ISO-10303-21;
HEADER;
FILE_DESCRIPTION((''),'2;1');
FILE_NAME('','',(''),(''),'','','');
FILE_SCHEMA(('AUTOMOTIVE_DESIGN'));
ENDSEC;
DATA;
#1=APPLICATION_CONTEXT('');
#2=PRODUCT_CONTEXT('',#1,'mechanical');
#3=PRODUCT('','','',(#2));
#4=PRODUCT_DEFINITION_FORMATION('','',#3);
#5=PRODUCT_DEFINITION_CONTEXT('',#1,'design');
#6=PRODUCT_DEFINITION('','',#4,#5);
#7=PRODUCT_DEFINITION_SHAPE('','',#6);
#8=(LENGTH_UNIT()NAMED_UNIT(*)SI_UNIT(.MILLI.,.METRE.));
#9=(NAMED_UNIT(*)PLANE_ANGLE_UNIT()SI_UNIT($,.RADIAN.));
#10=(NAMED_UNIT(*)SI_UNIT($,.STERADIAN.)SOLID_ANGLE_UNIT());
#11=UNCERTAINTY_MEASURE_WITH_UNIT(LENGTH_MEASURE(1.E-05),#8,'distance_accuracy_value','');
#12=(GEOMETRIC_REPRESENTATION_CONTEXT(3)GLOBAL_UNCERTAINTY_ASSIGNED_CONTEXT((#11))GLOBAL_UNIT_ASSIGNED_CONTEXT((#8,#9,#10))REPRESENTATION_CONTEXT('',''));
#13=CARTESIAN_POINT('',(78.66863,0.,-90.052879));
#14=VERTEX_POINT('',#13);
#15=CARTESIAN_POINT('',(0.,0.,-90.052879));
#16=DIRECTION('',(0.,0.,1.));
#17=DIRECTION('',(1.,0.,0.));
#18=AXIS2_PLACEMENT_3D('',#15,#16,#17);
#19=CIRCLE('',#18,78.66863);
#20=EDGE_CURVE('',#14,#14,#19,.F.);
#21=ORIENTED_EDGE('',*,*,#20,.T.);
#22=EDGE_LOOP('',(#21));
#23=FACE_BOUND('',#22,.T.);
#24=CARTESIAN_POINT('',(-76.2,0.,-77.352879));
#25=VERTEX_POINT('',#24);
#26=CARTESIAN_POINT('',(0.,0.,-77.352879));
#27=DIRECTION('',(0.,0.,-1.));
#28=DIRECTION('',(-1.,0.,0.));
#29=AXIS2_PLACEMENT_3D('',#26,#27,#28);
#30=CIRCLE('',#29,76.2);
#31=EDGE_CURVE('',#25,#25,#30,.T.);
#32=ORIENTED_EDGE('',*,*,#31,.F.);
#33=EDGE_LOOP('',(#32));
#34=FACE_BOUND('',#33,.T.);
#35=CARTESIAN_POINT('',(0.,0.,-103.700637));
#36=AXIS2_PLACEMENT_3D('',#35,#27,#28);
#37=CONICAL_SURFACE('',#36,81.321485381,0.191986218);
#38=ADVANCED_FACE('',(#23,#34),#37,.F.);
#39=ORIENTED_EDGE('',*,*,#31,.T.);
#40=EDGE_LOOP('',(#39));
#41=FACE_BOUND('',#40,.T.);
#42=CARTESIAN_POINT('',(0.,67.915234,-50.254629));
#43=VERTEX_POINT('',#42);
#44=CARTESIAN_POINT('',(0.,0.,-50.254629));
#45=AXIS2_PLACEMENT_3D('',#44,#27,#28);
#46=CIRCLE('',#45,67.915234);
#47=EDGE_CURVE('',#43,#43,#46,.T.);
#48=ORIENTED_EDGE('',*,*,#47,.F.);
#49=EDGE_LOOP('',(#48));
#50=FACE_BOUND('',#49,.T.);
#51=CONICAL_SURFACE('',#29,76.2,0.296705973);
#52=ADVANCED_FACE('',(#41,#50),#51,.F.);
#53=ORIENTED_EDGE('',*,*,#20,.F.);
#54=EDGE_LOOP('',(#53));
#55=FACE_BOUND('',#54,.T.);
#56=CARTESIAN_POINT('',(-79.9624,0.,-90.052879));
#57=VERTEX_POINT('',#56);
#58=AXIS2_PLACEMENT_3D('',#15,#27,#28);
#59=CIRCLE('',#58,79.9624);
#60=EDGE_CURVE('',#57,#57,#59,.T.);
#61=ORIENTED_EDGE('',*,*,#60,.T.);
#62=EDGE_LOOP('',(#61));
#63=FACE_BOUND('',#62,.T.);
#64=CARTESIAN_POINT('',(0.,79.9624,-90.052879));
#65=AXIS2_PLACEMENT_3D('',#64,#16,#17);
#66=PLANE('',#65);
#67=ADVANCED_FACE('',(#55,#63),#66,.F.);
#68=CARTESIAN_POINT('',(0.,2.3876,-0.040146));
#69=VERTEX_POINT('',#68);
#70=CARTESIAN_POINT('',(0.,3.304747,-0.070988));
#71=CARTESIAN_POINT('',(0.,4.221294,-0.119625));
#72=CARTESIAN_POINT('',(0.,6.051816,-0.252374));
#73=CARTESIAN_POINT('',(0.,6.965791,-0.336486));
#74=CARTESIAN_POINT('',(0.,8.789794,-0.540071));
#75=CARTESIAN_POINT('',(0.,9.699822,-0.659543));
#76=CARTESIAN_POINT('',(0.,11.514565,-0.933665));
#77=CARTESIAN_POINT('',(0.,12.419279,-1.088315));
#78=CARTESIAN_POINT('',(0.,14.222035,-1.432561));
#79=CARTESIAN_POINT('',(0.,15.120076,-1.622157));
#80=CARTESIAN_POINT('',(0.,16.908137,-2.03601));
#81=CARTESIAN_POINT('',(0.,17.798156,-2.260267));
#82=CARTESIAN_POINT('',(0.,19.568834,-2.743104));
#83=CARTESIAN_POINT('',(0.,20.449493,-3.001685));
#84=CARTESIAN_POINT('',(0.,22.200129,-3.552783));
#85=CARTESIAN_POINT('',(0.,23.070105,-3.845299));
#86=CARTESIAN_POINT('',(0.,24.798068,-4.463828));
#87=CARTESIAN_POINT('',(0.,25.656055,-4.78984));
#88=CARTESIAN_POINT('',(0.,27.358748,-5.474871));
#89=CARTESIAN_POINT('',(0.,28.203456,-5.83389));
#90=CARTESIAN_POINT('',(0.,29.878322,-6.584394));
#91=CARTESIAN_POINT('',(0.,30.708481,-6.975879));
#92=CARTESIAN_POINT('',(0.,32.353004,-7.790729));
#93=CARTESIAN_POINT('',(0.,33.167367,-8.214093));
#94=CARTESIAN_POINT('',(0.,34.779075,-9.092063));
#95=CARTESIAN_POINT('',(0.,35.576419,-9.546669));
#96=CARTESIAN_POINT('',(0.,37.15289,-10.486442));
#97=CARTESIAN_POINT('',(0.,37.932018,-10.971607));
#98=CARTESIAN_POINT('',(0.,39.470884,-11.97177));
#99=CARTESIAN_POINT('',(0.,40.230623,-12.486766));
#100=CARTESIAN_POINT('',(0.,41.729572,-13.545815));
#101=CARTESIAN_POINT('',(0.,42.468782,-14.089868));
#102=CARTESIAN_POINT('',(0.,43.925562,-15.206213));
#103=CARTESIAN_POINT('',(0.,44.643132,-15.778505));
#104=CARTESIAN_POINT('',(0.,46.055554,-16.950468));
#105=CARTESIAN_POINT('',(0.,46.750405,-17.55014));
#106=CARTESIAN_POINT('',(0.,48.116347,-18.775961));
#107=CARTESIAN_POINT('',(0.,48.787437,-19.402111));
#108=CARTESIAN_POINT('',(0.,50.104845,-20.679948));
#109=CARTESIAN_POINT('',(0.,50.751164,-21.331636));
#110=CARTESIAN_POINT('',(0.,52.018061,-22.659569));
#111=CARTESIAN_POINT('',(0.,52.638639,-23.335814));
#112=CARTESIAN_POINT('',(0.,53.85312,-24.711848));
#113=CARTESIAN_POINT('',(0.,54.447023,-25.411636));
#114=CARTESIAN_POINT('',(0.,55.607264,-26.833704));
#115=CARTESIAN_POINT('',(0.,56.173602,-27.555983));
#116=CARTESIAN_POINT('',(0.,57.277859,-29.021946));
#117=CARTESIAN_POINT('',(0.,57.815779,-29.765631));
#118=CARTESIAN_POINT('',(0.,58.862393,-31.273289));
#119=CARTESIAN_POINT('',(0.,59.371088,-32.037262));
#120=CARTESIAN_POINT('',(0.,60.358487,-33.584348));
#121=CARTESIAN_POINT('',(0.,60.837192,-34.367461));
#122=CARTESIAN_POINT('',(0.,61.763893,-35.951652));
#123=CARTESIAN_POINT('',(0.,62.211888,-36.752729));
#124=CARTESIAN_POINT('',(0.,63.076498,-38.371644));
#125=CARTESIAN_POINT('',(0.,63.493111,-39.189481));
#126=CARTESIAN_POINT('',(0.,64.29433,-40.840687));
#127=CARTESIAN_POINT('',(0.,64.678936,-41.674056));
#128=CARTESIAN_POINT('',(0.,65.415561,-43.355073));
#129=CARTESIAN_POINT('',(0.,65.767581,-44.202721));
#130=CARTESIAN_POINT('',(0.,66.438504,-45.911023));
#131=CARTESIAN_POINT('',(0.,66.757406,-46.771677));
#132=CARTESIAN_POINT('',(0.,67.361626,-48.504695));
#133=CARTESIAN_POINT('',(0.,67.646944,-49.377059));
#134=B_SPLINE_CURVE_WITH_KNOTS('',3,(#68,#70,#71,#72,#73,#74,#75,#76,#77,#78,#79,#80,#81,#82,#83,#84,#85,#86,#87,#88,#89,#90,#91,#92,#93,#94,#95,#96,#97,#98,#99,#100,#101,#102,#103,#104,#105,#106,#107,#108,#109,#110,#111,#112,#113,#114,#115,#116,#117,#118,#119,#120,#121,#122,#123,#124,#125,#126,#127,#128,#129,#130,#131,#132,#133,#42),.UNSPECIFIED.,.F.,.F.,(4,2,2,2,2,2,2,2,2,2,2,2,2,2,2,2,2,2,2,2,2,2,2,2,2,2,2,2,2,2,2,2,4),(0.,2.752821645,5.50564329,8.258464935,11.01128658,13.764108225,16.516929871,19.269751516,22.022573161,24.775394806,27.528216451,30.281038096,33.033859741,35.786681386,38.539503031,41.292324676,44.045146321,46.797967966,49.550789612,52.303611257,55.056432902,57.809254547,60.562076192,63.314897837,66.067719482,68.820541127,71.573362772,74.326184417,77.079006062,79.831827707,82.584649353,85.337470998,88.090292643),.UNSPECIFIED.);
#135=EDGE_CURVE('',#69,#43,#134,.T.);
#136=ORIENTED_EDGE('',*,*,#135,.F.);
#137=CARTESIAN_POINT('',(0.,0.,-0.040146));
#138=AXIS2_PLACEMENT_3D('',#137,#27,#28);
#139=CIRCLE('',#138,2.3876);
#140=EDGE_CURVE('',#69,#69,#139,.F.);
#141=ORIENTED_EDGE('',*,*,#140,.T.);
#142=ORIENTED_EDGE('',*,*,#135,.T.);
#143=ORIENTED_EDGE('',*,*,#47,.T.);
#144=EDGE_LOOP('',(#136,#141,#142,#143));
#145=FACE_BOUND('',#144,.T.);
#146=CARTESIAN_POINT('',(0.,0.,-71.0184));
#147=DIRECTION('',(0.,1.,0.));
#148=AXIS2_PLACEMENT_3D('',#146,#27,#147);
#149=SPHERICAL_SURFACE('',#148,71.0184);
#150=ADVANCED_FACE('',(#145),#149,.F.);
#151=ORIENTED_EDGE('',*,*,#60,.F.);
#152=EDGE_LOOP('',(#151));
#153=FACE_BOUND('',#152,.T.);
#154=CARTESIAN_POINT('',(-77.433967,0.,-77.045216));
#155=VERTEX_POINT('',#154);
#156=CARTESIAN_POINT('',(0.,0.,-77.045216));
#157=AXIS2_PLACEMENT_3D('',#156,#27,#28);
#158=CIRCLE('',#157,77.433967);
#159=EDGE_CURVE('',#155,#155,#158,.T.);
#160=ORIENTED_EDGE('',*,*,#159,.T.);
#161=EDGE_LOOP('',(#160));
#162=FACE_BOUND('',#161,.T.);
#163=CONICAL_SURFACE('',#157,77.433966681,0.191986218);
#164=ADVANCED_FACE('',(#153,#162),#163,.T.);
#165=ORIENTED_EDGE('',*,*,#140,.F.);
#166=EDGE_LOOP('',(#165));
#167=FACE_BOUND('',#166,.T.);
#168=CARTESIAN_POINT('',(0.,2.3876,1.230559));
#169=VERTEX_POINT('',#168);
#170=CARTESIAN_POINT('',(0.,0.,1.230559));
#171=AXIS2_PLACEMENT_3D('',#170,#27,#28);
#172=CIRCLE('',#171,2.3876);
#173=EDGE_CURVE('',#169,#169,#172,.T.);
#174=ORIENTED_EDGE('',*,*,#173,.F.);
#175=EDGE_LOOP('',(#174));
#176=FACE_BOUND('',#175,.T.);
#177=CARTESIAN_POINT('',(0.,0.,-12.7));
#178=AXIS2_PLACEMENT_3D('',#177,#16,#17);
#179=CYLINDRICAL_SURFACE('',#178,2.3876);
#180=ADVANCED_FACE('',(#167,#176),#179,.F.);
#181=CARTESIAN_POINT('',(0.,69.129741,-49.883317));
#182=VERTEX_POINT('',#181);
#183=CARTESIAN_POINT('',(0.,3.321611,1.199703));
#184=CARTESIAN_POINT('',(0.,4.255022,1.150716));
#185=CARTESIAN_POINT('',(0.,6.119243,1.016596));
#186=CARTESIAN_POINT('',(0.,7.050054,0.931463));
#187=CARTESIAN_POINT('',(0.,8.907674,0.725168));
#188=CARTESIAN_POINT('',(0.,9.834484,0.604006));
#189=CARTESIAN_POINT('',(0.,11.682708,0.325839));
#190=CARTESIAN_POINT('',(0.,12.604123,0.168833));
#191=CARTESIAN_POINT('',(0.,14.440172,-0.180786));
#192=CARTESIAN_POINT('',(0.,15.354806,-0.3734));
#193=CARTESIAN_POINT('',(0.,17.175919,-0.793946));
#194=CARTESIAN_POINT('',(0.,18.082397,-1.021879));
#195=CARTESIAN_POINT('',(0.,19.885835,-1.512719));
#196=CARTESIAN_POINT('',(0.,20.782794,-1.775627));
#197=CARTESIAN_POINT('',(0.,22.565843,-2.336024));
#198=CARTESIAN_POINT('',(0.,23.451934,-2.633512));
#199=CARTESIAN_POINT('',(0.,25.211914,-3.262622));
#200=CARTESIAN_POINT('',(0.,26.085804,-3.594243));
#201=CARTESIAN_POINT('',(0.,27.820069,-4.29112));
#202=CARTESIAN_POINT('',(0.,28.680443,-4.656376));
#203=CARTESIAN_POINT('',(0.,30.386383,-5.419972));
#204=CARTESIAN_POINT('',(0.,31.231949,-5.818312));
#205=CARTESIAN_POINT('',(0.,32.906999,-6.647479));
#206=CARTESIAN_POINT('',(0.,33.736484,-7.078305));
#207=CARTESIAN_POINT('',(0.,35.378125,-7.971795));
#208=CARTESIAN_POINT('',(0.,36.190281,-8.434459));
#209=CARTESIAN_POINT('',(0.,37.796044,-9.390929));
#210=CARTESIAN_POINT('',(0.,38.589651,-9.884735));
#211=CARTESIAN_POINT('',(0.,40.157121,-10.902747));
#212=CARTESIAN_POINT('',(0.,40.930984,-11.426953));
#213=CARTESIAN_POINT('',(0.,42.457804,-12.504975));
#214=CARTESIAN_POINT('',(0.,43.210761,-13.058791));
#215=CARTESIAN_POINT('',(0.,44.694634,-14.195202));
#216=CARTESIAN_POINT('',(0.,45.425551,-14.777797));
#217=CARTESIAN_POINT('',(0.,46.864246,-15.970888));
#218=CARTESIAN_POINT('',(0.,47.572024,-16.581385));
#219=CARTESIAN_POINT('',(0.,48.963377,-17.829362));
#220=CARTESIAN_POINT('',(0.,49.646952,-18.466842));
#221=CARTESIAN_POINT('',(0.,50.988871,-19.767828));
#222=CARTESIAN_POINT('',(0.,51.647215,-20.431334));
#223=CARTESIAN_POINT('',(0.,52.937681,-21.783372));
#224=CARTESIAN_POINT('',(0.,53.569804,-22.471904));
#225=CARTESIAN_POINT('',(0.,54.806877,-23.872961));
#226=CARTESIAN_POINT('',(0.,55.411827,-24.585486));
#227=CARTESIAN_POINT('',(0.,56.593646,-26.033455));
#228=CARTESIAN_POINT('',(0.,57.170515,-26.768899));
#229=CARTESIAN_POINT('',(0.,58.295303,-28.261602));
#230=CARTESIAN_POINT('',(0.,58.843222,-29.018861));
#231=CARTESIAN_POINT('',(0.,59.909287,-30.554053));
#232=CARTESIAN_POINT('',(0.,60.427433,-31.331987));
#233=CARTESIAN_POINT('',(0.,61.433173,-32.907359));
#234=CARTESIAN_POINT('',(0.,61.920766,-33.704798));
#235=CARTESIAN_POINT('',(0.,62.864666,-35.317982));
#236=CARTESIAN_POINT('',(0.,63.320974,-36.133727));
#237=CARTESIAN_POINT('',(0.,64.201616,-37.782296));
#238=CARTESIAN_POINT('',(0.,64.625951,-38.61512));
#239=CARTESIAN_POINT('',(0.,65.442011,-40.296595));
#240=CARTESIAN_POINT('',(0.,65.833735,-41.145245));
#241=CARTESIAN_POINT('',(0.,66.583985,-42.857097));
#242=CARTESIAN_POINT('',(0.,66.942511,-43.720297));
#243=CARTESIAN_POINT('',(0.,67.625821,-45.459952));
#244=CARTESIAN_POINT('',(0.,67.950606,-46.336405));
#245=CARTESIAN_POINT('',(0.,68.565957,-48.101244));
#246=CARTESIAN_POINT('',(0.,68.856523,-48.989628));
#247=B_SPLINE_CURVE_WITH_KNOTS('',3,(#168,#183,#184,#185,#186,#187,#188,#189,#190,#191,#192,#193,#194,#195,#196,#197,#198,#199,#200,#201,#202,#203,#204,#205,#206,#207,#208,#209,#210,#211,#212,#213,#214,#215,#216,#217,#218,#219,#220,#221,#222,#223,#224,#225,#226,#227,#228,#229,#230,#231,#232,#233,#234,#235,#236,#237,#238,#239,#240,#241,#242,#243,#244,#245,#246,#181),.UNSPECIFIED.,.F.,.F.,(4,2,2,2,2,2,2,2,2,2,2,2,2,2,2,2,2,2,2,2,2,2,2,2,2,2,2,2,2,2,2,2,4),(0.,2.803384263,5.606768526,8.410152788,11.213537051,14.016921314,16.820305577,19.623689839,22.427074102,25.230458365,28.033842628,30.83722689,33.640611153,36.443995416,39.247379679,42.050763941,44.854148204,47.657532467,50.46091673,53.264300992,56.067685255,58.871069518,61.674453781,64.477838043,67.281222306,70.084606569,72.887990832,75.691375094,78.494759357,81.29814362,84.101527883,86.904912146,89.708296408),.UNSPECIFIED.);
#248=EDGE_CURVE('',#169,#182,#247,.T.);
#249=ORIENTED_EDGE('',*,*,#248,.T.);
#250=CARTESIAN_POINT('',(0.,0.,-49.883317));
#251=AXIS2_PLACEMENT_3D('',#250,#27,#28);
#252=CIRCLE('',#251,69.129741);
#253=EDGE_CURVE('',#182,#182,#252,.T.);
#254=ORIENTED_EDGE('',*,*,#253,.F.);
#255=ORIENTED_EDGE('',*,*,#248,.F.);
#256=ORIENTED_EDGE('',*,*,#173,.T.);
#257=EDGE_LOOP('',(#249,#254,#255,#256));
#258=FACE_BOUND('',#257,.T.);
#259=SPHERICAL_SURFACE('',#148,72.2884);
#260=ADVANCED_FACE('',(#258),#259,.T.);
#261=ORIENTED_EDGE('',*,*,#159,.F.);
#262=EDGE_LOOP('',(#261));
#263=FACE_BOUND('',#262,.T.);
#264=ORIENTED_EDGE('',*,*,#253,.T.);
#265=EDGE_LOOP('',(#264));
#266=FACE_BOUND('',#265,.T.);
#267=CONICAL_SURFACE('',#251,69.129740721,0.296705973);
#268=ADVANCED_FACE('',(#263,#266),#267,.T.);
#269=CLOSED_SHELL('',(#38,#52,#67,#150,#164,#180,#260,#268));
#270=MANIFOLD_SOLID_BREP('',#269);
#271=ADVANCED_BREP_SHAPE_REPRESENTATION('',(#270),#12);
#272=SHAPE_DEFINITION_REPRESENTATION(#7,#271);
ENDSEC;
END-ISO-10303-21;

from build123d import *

# Parameters (mm, degrees)
SKETCH7_R          = 2.3876
CUT_EXTRUDE3_DEPTH = 12.7


with BuildPart() as part:
    # Sketch1 → Revolve-Thin1 (revolve)
    with BuildSketch(Plane(origin=(0, 0, 0), x_dir=(0, 0, -1), z_dir=(1, 0, 0)), mode=Mode.PRIVATE) as revolve_thin1_sk:
        with BuildLine():
            ThreePointArc((0, 0), (13.92977193, 42.243362599), (50.254629325, 67.915233681))
            Line((50.254629325, 67.915233681), (77.352878934, 76.2))
            Line((77.352878934, 76.2), (90.052878934, 78.668629926))
            Line((90.052878934, 78.668629926), (103.700637121, 81.321485381))
            ThreePointArc((103.700637121, 81.321485381), (107.388816105, 83.515721298), (108.839, 87.554817996))
            Line((108.839, 87.554817996), (108.839, 114.3))
            Line((108.839, 114.3), (106.299, 114.3))
            Line((106.299, 114.3), (106.299, 87.554817996))
            ThreePointArc((106.299, 87.554817996), (105.428889663, 85.131359977), (103.215982272, 83.814818427))
            Line((103.215982272, 83.814818427), (89.568224085, 81.161962972))
            Line((89.568224085, 81.161962972), (76.737554038, 78.667933362))
            Line((76.737554038, 78.667933362), (49.512005195, 70.344247761))
            ThreePointArc((49.512005195, 70.344247761), (11.887975504, 43.754212477), (-2.54, 0))
            Line((-2.54, 0), (0, 0))
        make_face()
    revolve(revolve_thin1_sk.sketch.rotate(Axis((0, 0, -134.341700673), (0, 0, 1)), 90), axis=Axis((0, 0, -134.341700673), (0, 0, 1)))

    # Sketch5 → Cut-Revolve1 (revolve, cut)
    with BuildSketch(Plane(origin=(0, 0, 0), x_dir=(0, 0, -1), z_dir=(1, 0, 0)), mode=Mode.PRIVATE) as cut_revolve1_sk:
        with BuildLine():
            Line((-1.27, 0), (-23.88640598, 0))
            Line((-23.88640598, 0), (-23.88640598, 127.217845703))
            Line((-23.88640598, 127.217845703), (116.900257224, 127.217845703))
            Line((116.900257224, 127.217845703), (116.900257224, 70.000934593))
            Line((116.900257224, 70.000934593), (90.052878934, 70.000934593))
            Line((90.052878934, 70.000934593), (90.052878934, 79.962400129))
            Line((90.052878934, 79.962400129), (77.045216486, 77.433966681))
            Line((77.045216486, 77.433966681), (49.88331726, 69.129740721))
            ThreePointArc((49.88331726, 69.129740721), (12.908873717, 42.998787538), (-1.27, 0))
        make_face()
    revolve(cut_revolve1_sk.sketch.rotate(Axis((0, 0, -134.341700673), (0, 0, 1)), 90), axis=Axis((0, 0, -134.341700673), (0, 0, 1)), mode=Mode.SUBTRACT)

    # Sketch7 → Cut-Extrude3 (cut, symmetric)
    with BuildSketch(Plane.XY):
        with Locations(Location((0, 0, 0), (0, 0, 90))):
            Circle(SKETCH7_R)
    extrude(amount=CUT_EXTRUDE3_DEPTH, both=True, mode=Mode.SUBTRACT)


solid = part.part
